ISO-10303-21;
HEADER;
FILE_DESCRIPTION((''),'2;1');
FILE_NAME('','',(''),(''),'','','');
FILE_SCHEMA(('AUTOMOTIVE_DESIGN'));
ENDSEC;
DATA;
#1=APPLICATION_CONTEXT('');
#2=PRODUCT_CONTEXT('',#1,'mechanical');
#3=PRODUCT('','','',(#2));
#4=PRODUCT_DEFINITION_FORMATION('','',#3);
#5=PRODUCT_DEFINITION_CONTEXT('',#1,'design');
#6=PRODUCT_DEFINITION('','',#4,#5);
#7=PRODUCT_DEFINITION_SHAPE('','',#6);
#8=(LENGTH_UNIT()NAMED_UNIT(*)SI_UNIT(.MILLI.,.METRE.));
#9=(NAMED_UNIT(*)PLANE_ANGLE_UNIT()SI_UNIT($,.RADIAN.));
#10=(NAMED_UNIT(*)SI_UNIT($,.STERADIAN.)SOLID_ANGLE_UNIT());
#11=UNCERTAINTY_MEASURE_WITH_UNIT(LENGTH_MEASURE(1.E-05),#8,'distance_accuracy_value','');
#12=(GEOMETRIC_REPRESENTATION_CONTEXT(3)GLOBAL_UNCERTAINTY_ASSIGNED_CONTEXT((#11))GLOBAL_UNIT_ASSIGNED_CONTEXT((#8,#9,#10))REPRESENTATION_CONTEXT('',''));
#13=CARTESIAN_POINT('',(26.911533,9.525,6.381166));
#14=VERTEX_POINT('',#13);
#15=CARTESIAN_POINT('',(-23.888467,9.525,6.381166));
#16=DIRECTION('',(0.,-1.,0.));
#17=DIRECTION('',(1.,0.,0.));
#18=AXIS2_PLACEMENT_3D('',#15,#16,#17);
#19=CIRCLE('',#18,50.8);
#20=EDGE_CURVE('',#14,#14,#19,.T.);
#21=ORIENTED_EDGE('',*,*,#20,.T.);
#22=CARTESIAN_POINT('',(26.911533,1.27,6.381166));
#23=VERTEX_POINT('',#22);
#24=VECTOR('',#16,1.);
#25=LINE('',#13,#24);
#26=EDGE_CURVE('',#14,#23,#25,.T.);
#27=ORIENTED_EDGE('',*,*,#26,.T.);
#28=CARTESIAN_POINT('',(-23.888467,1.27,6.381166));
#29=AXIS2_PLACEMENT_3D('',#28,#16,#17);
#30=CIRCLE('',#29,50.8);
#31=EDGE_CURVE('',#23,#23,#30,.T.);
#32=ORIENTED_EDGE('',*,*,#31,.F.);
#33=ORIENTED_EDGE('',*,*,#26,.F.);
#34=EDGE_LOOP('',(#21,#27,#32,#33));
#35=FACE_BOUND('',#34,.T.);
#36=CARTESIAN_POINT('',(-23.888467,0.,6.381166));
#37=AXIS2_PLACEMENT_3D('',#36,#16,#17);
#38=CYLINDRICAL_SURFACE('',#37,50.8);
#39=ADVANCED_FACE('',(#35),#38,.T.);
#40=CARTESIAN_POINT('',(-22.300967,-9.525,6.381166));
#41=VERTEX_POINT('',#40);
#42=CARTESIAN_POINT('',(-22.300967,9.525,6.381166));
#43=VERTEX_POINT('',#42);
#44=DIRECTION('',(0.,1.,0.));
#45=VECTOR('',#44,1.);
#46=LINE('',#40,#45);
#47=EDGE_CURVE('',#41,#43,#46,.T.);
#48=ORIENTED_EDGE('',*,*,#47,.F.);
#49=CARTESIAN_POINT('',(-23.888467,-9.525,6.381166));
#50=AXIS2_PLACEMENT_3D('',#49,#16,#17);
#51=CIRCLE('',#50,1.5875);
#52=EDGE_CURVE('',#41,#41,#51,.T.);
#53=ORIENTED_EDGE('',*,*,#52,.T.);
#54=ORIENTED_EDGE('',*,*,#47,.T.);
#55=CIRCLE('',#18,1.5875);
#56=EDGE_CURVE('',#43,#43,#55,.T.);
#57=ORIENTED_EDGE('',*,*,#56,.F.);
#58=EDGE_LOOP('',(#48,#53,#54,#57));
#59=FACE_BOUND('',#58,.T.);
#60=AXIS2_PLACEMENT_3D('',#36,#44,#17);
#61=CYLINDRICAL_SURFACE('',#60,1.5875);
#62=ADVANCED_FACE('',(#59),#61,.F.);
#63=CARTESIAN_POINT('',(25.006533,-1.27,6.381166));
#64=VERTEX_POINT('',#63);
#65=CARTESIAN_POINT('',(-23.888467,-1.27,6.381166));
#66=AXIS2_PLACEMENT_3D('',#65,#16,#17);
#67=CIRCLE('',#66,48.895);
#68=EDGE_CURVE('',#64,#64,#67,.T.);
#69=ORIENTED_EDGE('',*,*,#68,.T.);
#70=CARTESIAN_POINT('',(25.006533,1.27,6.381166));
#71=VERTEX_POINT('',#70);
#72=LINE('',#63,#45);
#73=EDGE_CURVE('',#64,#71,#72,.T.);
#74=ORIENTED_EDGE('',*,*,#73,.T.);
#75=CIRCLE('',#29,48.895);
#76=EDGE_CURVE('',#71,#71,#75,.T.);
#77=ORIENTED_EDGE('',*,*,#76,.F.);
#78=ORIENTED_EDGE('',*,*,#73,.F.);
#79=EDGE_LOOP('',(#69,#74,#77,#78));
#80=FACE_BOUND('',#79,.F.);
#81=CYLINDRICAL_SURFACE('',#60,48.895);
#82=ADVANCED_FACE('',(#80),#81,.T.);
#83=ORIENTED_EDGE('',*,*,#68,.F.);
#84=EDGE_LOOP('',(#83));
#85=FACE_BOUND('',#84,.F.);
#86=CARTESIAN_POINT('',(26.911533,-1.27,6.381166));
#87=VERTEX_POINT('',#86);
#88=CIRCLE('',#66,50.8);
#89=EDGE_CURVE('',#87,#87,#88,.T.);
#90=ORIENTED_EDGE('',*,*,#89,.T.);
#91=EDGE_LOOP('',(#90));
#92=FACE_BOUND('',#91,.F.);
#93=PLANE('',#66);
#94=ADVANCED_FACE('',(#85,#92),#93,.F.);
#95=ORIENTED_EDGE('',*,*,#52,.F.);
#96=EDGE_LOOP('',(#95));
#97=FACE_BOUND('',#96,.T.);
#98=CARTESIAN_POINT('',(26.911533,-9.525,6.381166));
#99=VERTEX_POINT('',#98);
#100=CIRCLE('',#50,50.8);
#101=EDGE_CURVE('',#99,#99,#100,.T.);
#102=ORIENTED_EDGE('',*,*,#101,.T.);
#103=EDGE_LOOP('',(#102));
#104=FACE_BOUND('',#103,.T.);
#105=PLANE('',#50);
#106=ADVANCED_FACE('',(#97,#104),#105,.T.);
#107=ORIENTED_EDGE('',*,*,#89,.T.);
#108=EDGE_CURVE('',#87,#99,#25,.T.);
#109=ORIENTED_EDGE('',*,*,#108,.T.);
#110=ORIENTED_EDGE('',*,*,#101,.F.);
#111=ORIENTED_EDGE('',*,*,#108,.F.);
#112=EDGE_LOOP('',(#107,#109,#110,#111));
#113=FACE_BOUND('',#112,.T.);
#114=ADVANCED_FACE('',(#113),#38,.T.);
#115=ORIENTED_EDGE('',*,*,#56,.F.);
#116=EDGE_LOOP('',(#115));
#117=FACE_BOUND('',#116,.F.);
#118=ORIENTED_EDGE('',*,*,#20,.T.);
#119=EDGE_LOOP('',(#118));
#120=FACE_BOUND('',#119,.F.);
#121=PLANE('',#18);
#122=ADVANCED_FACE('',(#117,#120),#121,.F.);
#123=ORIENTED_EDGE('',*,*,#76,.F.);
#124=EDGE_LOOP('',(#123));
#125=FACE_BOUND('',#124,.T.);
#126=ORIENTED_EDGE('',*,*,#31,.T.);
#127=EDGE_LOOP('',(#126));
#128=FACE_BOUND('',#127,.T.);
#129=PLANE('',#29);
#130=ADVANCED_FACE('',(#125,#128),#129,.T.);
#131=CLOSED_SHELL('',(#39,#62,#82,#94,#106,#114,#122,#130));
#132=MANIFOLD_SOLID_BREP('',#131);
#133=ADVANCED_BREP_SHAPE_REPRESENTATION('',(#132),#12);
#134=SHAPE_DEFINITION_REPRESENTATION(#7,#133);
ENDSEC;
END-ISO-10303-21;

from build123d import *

# Parameters (mm, degrees)
F0_R     = 48.895
F0_R_2   = 1.5875
F1_DEPTH = 9.525
F0_R_3   = 50.8
F2_DEPTH = 9.525
F3_DEPTH = 1.27


with BuildPart() as f1:
    # F0 (on Front) → F1 (new body, symmetric)
    with BuildSketch(Plane.XZ):
        with Locations((-23.888467, 6.381166)):
            Circle(F0_R)
        with Locations((-23.888467, 6.381166)):
            Circle(F0_R_2, mode=Mode.SUBTRACT)
    extrude(amount=F1_DEPTH, both=True)

    # F0 (on Front) → F2 (join, symmetric)
    with BuildSketch(Plane.XZ):
        with Locations((-23.888467, 6.381166)):
            Circle(F0_R_3)
        with Locations((-23.888467, 6.381166)):
            Circle(F0_R, mode=Mode.SUBTRACT)
    extrude(amount=F2_DEPTH, both=True)

    # F0 (on Front) → F3 (cut, symmetric)
    with BuildSketch(Plane.XZ):
        with Locations((-23.888467, 6.381166)):
            Circle(F0_R_3)
        with Locations((-23.888467, 6.381166)):
            Circle(F0_R, mode=Mode.SUBTRACT)
    extrude(amount=F3_DEPTH, both=True, mode=Mode.SUBTRACT)


solid = f1.part
